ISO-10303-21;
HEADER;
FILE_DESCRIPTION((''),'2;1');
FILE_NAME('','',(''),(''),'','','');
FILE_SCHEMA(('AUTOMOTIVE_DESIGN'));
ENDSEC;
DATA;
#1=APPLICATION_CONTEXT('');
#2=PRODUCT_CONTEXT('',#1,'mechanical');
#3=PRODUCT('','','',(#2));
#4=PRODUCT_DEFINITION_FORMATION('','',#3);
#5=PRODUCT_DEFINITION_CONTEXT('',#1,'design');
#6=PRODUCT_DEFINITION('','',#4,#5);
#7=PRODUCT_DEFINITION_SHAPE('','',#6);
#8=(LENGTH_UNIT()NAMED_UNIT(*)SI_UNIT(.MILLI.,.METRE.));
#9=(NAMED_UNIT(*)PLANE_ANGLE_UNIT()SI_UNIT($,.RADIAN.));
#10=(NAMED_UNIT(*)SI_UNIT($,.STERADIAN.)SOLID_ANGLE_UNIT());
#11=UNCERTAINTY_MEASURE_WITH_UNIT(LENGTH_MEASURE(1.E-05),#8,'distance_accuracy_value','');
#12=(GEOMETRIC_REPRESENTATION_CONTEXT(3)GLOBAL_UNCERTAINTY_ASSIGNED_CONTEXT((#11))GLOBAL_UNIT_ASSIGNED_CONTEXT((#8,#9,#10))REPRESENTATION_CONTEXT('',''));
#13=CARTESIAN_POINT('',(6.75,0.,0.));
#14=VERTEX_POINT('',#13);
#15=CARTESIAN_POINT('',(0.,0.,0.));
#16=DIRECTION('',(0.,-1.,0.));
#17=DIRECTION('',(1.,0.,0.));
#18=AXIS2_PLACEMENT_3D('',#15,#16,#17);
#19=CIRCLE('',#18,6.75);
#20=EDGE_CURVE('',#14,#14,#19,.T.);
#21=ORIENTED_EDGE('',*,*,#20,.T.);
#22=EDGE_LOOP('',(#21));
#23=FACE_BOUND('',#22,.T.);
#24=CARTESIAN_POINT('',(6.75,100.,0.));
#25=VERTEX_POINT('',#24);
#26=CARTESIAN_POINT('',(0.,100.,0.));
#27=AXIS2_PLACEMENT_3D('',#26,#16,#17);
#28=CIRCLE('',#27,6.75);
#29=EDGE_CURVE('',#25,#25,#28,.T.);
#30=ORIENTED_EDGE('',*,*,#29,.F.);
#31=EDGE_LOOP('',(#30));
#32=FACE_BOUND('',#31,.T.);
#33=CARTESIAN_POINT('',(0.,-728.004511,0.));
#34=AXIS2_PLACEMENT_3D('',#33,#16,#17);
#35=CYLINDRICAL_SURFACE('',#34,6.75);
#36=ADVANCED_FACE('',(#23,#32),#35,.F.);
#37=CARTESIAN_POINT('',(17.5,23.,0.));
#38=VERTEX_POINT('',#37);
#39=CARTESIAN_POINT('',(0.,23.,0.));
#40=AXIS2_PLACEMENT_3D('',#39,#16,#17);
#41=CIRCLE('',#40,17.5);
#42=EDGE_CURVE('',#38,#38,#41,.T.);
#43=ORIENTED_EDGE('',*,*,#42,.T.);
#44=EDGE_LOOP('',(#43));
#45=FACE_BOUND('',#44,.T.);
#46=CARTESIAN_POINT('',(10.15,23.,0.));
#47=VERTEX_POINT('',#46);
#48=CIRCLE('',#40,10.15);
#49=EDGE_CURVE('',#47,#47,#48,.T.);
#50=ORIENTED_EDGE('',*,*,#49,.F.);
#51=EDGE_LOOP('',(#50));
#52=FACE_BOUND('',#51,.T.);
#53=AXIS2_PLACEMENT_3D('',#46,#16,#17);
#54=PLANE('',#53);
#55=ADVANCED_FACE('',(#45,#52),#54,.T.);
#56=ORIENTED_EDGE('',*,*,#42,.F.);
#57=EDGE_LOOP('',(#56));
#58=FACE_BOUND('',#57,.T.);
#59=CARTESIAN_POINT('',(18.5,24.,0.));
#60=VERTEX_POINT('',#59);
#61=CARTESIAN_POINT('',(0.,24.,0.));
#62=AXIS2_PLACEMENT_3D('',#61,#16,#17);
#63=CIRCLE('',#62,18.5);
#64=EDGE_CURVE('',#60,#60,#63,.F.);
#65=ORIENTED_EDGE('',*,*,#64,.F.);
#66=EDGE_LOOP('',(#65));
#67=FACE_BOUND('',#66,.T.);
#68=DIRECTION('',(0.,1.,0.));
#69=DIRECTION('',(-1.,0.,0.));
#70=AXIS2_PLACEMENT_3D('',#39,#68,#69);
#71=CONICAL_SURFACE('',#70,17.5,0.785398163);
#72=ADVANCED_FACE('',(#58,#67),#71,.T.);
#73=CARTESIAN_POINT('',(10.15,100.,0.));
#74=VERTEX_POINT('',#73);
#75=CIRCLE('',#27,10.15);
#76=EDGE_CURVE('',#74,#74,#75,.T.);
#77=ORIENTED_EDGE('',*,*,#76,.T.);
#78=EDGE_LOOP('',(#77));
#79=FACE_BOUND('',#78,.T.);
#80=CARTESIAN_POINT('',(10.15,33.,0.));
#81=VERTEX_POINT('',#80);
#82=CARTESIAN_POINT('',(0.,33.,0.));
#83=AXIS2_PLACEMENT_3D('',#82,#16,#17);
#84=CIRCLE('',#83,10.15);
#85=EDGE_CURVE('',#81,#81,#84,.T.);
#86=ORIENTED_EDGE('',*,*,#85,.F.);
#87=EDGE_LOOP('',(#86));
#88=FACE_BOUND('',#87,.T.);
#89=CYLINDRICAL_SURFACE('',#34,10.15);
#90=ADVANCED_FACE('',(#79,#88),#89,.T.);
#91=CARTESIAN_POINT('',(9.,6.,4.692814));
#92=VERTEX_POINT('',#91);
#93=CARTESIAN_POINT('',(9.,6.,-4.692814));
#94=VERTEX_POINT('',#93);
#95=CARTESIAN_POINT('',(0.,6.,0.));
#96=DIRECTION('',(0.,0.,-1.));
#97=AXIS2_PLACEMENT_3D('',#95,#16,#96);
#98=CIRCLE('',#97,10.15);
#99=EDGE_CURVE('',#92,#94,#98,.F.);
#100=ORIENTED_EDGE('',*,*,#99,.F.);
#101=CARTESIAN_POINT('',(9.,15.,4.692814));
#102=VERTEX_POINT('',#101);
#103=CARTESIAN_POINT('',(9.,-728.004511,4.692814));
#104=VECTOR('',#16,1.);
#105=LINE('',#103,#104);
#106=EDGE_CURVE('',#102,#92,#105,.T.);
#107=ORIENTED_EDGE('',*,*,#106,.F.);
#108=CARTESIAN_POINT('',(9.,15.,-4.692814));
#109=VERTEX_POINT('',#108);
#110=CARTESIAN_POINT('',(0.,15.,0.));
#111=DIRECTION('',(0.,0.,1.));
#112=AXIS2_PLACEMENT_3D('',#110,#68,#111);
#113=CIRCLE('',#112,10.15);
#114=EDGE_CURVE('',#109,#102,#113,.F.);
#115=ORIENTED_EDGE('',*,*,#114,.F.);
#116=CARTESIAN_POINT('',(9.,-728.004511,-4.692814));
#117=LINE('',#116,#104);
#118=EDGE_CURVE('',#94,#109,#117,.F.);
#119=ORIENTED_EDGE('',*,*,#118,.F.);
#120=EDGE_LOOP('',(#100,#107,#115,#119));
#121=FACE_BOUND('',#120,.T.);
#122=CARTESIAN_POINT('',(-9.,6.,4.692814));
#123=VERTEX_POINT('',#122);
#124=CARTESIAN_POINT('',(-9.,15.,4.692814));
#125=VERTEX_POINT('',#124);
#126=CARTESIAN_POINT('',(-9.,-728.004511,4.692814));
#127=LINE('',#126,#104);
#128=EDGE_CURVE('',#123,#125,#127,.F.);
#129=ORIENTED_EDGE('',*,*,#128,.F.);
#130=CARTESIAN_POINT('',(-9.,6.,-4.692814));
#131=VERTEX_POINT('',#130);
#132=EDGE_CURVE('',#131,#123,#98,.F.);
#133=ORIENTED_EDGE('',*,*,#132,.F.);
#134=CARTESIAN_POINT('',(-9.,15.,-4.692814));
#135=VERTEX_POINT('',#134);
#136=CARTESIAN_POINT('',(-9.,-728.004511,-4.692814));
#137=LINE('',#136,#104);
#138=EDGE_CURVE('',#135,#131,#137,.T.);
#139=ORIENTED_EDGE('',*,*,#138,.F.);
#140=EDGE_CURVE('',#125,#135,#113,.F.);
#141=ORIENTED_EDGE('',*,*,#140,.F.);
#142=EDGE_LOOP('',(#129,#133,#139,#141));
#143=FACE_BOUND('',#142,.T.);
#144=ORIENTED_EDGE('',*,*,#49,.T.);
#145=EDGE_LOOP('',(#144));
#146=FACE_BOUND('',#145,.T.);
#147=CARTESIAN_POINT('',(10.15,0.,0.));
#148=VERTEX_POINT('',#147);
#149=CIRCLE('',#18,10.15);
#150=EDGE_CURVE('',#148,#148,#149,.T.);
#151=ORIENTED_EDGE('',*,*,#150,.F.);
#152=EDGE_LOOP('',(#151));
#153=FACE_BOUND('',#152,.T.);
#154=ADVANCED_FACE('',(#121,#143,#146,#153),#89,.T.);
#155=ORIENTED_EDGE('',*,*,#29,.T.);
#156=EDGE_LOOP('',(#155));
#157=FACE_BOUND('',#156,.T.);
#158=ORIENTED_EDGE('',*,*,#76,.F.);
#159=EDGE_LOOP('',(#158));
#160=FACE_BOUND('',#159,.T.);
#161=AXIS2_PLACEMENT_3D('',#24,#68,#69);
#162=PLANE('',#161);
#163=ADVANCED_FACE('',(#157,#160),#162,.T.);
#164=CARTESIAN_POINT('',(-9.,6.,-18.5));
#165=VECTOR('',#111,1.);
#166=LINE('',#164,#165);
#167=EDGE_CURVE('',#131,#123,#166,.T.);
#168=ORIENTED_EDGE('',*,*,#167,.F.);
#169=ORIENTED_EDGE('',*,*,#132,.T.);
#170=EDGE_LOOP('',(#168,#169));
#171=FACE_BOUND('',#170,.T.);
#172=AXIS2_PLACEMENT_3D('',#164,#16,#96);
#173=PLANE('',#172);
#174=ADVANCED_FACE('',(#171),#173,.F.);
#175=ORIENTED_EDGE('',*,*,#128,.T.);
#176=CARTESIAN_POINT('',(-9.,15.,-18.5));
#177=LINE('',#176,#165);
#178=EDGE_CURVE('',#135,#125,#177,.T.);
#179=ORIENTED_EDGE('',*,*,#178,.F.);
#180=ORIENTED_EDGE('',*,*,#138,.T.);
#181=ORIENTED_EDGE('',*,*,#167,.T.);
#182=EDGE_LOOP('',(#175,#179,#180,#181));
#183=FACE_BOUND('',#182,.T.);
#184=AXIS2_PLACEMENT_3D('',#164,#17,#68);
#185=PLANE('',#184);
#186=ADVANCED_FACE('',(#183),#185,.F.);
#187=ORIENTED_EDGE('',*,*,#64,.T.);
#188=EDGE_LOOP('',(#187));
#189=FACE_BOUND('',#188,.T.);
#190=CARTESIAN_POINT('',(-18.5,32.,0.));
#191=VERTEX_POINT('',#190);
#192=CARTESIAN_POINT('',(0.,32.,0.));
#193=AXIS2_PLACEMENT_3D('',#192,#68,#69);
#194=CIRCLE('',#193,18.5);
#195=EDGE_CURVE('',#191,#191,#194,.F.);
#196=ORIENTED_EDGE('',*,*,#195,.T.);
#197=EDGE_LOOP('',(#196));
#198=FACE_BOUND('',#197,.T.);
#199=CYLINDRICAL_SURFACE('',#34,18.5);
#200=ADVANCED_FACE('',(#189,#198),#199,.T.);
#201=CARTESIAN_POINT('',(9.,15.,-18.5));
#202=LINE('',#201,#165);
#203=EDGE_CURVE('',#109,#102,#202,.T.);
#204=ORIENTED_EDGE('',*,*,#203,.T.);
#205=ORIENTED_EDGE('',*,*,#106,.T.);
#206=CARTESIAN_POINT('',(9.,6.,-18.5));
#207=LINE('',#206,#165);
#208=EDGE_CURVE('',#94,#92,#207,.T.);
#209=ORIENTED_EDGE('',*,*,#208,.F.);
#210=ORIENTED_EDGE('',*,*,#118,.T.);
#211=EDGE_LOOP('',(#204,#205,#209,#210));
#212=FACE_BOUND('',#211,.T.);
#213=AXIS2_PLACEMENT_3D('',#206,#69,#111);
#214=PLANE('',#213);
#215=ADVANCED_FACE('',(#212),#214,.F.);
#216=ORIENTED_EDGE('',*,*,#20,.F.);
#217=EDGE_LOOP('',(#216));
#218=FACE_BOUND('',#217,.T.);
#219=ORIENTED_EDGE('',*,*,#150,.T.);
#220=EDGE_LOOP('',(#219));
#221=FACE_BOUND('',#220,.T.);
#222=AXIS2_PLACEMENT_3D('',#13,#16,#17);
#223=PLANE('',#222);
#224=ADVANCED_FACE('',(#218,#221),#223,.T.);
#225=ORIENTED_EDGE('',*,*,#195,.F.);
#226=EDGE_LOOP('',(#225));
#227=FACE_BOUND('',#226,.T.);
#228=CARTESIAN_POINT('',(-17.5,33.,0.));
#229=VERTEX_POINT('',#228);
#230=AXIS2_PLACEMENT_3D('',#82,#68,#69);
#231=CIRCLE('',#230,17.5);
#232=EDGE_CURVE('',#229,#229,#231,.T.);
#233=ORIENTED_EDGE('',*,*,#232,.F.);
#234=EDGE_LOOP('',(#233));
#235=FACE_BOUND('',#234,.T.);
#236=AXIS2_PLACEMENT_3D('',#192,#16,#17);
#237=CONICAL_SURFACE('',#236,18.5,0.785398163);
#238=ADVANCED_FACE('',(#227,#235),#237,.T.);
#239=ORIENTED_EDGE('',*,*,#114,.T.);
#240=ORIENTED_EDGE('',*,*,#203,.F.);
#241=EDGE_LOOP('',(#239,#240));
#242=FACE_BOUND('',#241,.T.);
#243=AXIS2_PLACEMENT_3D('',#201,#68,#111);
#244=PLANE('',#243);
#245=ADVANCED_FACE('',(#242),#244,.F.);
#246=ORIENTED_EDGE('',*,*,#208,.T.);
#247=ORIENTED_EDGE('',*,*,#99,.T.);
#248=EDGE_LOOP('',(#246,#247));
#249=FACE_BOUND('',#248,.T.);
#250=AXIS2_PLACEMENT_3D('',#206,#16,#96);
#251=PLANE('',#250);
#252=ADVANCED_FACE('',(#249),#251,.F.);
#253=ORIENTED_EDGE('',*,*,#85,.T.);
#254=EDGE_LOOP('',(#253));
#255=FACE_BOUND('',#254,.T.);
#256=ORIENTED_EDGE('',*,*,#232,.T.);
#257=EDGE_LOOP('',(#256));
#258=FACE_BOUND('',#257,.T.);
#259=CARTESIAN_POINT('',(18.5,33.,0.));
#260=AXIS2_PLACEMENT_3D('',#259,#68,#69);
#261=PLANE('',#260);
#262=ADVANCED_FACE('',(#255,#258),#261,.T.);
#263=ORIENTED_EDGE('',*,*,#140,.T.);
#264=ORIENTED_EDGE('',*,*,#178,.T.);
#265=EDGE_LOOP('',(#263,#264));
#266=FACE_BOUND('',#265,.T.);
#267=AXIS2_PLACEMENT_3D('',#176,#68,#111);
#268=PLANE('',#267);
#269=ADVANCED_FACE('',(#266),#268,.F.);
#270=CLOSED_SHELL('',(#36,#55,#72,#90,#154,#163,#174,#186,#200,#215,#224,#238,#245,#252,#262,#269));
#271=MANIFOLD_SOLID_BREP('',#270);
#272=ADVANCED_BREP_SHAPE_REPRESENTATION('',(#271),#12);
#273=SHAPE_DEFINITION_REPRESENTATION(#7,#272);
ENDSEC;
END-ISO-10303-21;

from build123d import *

# Parameters (mm, degrees)
SKETCH2_W               = 3
SKETCH2_H               = 9
CUT_EXTRUDE1_DEPTH      = 19.5
CUT_EXTRUDE1_DEPTH_BACK = 19.5
CHAMFER1_SIZE           = 1


with BuildPart() as part:
    # Sketch1 → Revolve1 (revolve)
    with BuildSketch(Plane.XY):
        Polygon((10.15, 100), (10.15, 33), (18.5, 33), (18.5, 23), (10.15, 23), (10.15, 0), (6.75, 0), (6.75, 100), align=None)
    revolve(axis=Axis((0, -728.004511314, 0), (0, 1, 0)))

    # Sketch2 → Cut-Extrude1 (cut, two sides)
    with BuildSketch(Plane.XY) as cut_extrude1_sk:
        with Locations((10.5, 10.5)):
            Rectangle(SKETCH2_W, SKETCH2_H)
        with Locations((-10.5, 10.5)):
            Rectangle(SKETCH2_W, SKETCH2_H)
    extrude(amount=CUT_EXTRUDE1_DEPTH, mode=Mode.SUBTRACT)
    extrude(cut_extrude1_sk.sketch, amount=-CUT_EXTRUDE1_DEPTH_BACK, mode=Mode.SUBTRACT)

    # Chamfer1
    chamfer1_edges = [part.edges().sort_by_distance(p)[0] for p in [
        (-18.5, 23, 0),
        (-18.5, 33, 0),
    ]]
    chamfer(chamfer1_edges, length=CHAMFER1_SIZE)


solid = part.part
